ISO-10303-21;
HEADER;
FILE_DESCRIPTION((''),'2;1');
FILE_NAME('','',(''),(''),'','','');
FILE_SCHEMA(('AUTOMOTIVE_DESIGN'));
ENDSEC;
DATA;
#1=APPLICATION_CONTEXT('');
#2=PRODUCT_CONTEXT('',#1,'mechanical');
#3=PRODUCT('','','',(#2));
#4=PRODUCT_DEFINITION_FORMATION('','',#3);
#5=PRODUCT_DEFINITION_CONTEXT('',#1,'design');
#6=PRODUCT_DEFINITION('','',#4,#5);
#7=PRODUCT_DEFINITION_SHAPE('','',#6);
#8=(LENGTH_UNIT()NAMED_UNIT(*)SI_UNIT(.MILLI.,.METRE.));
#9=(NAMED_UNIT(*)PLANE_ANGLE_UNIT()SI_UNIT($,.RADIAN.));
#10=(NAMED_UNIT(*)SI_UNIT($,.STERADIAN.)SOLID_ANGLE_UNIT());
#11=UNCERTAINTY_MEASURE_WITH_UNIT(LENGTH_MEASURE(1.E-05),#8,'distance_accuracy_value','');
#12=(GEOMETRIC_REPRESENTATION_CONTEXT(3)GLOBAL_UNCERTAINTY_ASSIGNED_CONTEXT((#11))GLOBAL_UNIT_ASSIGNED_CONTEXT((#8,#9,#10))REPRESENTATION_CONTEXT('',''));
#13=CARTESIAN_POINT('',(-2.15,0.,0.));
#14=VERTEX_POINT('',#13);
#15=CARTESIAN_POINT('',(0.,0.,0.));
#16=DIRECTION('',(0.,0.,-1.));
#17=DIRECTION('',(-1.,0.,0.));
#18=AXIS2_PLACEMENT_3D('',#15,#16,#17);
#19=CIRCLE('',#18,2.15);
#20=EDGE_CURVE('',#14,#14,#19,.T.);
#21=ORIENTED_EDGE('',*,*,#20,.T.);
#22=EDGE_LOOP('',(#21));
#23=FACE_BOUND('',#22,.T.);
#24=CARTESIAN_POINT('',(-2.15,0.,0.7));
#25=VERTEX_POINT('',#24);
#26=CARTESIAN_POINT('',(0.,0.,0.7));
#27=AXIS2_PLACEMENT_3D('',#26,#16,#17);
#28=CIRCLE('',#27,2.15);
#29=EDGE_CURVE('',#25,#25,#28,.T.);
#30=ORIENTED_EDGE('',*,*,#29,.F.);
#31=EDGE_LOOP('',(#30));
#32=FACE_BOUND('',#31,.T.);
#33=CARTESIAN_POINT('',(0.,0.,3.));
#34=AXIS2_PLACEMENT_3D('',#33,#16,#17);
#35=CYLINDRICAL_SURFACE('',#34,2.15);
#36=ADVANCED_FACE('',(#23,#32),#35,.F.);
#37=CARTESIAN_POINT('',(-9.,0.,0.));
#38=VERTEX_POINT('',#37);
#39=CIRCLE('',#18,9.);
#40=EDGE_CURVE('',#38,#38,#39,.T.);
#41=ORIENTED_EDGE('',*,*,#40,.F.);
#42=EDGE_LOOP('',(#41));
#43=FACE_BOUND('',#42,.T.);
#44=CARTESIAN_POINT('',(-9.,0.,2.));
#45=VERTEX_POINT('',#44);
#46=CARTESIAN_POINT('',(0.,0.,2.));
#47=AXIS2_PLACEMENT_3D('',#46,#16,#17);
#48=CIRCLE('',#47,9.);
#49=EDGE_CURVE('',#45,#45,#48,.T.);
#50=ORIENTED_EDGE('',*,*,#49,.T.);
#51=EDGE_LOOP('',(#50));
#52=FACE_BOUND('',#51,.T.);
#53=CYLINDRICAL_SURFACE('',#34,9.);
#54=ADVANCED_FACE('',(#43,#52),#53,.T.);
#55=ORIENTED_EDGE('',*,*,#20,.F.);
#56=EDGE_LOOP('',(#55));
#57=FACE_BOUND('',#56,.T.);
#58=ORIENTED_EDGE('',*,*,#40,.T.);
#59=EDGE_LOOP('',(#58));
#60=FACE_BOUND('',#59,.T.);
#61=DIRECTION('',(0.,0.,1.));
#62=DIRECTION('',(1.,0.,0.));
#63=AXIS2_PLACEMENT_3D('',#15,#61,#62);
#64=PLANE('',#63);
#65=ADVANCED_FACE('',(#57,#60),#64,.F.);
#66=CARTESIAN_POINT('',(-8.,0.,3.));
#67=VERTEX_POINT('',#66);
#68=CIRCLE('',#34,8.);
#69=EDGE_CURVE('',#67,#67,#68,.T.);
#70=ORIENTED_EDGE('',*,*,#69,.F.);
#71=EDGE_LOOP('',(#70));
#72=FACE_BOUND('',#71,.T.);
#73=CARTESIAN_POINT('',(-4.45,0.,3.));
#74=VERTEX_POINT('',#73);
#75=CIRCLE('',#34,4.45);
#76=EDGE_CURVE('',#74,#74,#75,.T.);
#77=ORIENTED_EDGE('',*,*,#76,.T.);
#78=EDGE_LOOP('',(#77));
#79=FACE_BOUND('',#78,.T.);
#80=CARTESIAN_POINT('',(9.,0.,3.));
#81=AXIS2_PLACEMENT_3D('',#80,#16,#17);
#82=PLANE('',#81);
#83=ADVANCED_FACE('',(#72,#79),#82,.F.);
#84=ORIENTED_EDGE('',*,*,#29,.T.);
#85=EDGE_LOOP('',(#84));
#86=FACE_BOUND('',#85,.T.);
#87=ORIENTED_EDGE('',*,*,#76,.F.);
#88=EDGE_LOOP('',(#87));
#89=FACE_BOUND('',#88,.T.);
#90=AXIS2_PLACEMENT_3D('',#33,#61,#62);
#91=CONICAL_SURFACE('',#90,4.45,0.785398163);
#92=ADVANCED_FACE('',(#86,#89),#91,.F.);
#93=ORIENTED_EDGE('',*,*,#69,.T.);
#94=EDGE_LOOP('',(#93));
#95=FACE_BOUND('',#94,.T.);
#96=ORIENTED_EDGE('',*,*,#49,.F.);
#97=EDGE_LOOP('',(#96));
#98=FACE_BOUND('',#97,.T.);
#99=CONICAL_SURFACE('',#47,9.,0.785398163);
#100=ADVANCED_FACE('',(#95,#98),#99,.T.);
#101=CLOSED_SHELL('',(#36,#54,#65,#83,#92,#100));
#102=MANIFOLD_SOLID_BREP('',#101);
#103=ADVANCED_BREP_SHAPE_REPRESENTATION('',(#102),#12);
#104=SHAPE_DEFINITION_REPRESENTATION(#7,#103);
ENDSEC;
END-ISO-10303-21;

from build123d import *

# Parameters (mm, degrees)
SZKIC1_W                    = 9
SZKIC1_H                    = 3
SZKIC4_R                    = 6.75
DODANIE_WYCI_GNI_CIE1_DEPTH = 4.5


with BuildPart() as part:
    # Szkic1 → Obrót1 (revolve)
    with BuildSketch(Plane(origin=(0, 0, 0), x_dir=(1, 0, 0), z_dir=(0, 1, 0)), mode=Mode.PRIVATE) as obr_t1_sk:
        with Locations((4.5, -1.5)):
            Rectangle(SZKIC1_W, SZKIC1_H)
    revolve(obr_t1_sk.sketch.rotate(Axis((0, 0, 3), (0, 0, -1)), 180), axis=Axis((0, 0, 3), (0, 0, -1)))

    # Szkic2 → Wycięcie-obrót1 (revolve, cut)
    with BuildSketch(Plane(origin=(0, 0, 0), x_dir=(1, 0, 0), z_dir=(0, 1, 0)), mode=Mode.PRIVATE) as wyci_cie_obr_t1_sk:
        Polygon((8, -3), (9, -3), (9, -2), align=None)
    revolve(wyci_cie_obr_t1_sk.sketch.rotate(Axis((0, 0, 3), (0, 0, -1)), 180), axis=Axis((0, 0, 3), (0, 0, -1)), mode=Mode.SUBTRACT)

    # Szkic3 → Wycięcie-obrót2 (revolve, cut)
    with BuildSketch(Plane(origin=(0, 0, 0), x_dir=(1, 0, 0), z_dir=(0, 1, 0)), mode=Mode.PRIVATE) as wyci_cie_obr_t2_sk:
        Polygon((0, 0), (2.15, 0), (2.15, -0.7), (4.45, -3), (0, -3), align=None)
    revolve(wyci_cie_obr_t2_sk.sketch.rotate(Axis((0, 0, 3), (0, 0, -1)), 180), axis=Axis((0, 0, 3), (0, 0, -1)), mode=Mode.SUBTRACT)


with BuildPart() as body_2:
    # Szkic4 → Dodanie-wyciągnięcie1 (new body)
    with BuildSketch(Plane(origin=(0, 0, 0), x_dir=(0, 0, -1), z_dir=(1, 0, 0))):
        Circle(SZKIC4_R)
    extrude(amount=DODANIE_WYCI_GNI_CIE1_DEPTH)

    # Usuń ścianę1: 1 face struck out; the rest of the skin is kept as a surface, the solid goes
    usu_cian_1_1_drop = [body_2.part.faces().sort_by_distance(Vector(p))[0] for p in ((4.5, 0, 0),)]
    usu_cian_1_1 = Shell(body_2.part.faces() - usu_cian_1_1_drop)


solid = part.part
